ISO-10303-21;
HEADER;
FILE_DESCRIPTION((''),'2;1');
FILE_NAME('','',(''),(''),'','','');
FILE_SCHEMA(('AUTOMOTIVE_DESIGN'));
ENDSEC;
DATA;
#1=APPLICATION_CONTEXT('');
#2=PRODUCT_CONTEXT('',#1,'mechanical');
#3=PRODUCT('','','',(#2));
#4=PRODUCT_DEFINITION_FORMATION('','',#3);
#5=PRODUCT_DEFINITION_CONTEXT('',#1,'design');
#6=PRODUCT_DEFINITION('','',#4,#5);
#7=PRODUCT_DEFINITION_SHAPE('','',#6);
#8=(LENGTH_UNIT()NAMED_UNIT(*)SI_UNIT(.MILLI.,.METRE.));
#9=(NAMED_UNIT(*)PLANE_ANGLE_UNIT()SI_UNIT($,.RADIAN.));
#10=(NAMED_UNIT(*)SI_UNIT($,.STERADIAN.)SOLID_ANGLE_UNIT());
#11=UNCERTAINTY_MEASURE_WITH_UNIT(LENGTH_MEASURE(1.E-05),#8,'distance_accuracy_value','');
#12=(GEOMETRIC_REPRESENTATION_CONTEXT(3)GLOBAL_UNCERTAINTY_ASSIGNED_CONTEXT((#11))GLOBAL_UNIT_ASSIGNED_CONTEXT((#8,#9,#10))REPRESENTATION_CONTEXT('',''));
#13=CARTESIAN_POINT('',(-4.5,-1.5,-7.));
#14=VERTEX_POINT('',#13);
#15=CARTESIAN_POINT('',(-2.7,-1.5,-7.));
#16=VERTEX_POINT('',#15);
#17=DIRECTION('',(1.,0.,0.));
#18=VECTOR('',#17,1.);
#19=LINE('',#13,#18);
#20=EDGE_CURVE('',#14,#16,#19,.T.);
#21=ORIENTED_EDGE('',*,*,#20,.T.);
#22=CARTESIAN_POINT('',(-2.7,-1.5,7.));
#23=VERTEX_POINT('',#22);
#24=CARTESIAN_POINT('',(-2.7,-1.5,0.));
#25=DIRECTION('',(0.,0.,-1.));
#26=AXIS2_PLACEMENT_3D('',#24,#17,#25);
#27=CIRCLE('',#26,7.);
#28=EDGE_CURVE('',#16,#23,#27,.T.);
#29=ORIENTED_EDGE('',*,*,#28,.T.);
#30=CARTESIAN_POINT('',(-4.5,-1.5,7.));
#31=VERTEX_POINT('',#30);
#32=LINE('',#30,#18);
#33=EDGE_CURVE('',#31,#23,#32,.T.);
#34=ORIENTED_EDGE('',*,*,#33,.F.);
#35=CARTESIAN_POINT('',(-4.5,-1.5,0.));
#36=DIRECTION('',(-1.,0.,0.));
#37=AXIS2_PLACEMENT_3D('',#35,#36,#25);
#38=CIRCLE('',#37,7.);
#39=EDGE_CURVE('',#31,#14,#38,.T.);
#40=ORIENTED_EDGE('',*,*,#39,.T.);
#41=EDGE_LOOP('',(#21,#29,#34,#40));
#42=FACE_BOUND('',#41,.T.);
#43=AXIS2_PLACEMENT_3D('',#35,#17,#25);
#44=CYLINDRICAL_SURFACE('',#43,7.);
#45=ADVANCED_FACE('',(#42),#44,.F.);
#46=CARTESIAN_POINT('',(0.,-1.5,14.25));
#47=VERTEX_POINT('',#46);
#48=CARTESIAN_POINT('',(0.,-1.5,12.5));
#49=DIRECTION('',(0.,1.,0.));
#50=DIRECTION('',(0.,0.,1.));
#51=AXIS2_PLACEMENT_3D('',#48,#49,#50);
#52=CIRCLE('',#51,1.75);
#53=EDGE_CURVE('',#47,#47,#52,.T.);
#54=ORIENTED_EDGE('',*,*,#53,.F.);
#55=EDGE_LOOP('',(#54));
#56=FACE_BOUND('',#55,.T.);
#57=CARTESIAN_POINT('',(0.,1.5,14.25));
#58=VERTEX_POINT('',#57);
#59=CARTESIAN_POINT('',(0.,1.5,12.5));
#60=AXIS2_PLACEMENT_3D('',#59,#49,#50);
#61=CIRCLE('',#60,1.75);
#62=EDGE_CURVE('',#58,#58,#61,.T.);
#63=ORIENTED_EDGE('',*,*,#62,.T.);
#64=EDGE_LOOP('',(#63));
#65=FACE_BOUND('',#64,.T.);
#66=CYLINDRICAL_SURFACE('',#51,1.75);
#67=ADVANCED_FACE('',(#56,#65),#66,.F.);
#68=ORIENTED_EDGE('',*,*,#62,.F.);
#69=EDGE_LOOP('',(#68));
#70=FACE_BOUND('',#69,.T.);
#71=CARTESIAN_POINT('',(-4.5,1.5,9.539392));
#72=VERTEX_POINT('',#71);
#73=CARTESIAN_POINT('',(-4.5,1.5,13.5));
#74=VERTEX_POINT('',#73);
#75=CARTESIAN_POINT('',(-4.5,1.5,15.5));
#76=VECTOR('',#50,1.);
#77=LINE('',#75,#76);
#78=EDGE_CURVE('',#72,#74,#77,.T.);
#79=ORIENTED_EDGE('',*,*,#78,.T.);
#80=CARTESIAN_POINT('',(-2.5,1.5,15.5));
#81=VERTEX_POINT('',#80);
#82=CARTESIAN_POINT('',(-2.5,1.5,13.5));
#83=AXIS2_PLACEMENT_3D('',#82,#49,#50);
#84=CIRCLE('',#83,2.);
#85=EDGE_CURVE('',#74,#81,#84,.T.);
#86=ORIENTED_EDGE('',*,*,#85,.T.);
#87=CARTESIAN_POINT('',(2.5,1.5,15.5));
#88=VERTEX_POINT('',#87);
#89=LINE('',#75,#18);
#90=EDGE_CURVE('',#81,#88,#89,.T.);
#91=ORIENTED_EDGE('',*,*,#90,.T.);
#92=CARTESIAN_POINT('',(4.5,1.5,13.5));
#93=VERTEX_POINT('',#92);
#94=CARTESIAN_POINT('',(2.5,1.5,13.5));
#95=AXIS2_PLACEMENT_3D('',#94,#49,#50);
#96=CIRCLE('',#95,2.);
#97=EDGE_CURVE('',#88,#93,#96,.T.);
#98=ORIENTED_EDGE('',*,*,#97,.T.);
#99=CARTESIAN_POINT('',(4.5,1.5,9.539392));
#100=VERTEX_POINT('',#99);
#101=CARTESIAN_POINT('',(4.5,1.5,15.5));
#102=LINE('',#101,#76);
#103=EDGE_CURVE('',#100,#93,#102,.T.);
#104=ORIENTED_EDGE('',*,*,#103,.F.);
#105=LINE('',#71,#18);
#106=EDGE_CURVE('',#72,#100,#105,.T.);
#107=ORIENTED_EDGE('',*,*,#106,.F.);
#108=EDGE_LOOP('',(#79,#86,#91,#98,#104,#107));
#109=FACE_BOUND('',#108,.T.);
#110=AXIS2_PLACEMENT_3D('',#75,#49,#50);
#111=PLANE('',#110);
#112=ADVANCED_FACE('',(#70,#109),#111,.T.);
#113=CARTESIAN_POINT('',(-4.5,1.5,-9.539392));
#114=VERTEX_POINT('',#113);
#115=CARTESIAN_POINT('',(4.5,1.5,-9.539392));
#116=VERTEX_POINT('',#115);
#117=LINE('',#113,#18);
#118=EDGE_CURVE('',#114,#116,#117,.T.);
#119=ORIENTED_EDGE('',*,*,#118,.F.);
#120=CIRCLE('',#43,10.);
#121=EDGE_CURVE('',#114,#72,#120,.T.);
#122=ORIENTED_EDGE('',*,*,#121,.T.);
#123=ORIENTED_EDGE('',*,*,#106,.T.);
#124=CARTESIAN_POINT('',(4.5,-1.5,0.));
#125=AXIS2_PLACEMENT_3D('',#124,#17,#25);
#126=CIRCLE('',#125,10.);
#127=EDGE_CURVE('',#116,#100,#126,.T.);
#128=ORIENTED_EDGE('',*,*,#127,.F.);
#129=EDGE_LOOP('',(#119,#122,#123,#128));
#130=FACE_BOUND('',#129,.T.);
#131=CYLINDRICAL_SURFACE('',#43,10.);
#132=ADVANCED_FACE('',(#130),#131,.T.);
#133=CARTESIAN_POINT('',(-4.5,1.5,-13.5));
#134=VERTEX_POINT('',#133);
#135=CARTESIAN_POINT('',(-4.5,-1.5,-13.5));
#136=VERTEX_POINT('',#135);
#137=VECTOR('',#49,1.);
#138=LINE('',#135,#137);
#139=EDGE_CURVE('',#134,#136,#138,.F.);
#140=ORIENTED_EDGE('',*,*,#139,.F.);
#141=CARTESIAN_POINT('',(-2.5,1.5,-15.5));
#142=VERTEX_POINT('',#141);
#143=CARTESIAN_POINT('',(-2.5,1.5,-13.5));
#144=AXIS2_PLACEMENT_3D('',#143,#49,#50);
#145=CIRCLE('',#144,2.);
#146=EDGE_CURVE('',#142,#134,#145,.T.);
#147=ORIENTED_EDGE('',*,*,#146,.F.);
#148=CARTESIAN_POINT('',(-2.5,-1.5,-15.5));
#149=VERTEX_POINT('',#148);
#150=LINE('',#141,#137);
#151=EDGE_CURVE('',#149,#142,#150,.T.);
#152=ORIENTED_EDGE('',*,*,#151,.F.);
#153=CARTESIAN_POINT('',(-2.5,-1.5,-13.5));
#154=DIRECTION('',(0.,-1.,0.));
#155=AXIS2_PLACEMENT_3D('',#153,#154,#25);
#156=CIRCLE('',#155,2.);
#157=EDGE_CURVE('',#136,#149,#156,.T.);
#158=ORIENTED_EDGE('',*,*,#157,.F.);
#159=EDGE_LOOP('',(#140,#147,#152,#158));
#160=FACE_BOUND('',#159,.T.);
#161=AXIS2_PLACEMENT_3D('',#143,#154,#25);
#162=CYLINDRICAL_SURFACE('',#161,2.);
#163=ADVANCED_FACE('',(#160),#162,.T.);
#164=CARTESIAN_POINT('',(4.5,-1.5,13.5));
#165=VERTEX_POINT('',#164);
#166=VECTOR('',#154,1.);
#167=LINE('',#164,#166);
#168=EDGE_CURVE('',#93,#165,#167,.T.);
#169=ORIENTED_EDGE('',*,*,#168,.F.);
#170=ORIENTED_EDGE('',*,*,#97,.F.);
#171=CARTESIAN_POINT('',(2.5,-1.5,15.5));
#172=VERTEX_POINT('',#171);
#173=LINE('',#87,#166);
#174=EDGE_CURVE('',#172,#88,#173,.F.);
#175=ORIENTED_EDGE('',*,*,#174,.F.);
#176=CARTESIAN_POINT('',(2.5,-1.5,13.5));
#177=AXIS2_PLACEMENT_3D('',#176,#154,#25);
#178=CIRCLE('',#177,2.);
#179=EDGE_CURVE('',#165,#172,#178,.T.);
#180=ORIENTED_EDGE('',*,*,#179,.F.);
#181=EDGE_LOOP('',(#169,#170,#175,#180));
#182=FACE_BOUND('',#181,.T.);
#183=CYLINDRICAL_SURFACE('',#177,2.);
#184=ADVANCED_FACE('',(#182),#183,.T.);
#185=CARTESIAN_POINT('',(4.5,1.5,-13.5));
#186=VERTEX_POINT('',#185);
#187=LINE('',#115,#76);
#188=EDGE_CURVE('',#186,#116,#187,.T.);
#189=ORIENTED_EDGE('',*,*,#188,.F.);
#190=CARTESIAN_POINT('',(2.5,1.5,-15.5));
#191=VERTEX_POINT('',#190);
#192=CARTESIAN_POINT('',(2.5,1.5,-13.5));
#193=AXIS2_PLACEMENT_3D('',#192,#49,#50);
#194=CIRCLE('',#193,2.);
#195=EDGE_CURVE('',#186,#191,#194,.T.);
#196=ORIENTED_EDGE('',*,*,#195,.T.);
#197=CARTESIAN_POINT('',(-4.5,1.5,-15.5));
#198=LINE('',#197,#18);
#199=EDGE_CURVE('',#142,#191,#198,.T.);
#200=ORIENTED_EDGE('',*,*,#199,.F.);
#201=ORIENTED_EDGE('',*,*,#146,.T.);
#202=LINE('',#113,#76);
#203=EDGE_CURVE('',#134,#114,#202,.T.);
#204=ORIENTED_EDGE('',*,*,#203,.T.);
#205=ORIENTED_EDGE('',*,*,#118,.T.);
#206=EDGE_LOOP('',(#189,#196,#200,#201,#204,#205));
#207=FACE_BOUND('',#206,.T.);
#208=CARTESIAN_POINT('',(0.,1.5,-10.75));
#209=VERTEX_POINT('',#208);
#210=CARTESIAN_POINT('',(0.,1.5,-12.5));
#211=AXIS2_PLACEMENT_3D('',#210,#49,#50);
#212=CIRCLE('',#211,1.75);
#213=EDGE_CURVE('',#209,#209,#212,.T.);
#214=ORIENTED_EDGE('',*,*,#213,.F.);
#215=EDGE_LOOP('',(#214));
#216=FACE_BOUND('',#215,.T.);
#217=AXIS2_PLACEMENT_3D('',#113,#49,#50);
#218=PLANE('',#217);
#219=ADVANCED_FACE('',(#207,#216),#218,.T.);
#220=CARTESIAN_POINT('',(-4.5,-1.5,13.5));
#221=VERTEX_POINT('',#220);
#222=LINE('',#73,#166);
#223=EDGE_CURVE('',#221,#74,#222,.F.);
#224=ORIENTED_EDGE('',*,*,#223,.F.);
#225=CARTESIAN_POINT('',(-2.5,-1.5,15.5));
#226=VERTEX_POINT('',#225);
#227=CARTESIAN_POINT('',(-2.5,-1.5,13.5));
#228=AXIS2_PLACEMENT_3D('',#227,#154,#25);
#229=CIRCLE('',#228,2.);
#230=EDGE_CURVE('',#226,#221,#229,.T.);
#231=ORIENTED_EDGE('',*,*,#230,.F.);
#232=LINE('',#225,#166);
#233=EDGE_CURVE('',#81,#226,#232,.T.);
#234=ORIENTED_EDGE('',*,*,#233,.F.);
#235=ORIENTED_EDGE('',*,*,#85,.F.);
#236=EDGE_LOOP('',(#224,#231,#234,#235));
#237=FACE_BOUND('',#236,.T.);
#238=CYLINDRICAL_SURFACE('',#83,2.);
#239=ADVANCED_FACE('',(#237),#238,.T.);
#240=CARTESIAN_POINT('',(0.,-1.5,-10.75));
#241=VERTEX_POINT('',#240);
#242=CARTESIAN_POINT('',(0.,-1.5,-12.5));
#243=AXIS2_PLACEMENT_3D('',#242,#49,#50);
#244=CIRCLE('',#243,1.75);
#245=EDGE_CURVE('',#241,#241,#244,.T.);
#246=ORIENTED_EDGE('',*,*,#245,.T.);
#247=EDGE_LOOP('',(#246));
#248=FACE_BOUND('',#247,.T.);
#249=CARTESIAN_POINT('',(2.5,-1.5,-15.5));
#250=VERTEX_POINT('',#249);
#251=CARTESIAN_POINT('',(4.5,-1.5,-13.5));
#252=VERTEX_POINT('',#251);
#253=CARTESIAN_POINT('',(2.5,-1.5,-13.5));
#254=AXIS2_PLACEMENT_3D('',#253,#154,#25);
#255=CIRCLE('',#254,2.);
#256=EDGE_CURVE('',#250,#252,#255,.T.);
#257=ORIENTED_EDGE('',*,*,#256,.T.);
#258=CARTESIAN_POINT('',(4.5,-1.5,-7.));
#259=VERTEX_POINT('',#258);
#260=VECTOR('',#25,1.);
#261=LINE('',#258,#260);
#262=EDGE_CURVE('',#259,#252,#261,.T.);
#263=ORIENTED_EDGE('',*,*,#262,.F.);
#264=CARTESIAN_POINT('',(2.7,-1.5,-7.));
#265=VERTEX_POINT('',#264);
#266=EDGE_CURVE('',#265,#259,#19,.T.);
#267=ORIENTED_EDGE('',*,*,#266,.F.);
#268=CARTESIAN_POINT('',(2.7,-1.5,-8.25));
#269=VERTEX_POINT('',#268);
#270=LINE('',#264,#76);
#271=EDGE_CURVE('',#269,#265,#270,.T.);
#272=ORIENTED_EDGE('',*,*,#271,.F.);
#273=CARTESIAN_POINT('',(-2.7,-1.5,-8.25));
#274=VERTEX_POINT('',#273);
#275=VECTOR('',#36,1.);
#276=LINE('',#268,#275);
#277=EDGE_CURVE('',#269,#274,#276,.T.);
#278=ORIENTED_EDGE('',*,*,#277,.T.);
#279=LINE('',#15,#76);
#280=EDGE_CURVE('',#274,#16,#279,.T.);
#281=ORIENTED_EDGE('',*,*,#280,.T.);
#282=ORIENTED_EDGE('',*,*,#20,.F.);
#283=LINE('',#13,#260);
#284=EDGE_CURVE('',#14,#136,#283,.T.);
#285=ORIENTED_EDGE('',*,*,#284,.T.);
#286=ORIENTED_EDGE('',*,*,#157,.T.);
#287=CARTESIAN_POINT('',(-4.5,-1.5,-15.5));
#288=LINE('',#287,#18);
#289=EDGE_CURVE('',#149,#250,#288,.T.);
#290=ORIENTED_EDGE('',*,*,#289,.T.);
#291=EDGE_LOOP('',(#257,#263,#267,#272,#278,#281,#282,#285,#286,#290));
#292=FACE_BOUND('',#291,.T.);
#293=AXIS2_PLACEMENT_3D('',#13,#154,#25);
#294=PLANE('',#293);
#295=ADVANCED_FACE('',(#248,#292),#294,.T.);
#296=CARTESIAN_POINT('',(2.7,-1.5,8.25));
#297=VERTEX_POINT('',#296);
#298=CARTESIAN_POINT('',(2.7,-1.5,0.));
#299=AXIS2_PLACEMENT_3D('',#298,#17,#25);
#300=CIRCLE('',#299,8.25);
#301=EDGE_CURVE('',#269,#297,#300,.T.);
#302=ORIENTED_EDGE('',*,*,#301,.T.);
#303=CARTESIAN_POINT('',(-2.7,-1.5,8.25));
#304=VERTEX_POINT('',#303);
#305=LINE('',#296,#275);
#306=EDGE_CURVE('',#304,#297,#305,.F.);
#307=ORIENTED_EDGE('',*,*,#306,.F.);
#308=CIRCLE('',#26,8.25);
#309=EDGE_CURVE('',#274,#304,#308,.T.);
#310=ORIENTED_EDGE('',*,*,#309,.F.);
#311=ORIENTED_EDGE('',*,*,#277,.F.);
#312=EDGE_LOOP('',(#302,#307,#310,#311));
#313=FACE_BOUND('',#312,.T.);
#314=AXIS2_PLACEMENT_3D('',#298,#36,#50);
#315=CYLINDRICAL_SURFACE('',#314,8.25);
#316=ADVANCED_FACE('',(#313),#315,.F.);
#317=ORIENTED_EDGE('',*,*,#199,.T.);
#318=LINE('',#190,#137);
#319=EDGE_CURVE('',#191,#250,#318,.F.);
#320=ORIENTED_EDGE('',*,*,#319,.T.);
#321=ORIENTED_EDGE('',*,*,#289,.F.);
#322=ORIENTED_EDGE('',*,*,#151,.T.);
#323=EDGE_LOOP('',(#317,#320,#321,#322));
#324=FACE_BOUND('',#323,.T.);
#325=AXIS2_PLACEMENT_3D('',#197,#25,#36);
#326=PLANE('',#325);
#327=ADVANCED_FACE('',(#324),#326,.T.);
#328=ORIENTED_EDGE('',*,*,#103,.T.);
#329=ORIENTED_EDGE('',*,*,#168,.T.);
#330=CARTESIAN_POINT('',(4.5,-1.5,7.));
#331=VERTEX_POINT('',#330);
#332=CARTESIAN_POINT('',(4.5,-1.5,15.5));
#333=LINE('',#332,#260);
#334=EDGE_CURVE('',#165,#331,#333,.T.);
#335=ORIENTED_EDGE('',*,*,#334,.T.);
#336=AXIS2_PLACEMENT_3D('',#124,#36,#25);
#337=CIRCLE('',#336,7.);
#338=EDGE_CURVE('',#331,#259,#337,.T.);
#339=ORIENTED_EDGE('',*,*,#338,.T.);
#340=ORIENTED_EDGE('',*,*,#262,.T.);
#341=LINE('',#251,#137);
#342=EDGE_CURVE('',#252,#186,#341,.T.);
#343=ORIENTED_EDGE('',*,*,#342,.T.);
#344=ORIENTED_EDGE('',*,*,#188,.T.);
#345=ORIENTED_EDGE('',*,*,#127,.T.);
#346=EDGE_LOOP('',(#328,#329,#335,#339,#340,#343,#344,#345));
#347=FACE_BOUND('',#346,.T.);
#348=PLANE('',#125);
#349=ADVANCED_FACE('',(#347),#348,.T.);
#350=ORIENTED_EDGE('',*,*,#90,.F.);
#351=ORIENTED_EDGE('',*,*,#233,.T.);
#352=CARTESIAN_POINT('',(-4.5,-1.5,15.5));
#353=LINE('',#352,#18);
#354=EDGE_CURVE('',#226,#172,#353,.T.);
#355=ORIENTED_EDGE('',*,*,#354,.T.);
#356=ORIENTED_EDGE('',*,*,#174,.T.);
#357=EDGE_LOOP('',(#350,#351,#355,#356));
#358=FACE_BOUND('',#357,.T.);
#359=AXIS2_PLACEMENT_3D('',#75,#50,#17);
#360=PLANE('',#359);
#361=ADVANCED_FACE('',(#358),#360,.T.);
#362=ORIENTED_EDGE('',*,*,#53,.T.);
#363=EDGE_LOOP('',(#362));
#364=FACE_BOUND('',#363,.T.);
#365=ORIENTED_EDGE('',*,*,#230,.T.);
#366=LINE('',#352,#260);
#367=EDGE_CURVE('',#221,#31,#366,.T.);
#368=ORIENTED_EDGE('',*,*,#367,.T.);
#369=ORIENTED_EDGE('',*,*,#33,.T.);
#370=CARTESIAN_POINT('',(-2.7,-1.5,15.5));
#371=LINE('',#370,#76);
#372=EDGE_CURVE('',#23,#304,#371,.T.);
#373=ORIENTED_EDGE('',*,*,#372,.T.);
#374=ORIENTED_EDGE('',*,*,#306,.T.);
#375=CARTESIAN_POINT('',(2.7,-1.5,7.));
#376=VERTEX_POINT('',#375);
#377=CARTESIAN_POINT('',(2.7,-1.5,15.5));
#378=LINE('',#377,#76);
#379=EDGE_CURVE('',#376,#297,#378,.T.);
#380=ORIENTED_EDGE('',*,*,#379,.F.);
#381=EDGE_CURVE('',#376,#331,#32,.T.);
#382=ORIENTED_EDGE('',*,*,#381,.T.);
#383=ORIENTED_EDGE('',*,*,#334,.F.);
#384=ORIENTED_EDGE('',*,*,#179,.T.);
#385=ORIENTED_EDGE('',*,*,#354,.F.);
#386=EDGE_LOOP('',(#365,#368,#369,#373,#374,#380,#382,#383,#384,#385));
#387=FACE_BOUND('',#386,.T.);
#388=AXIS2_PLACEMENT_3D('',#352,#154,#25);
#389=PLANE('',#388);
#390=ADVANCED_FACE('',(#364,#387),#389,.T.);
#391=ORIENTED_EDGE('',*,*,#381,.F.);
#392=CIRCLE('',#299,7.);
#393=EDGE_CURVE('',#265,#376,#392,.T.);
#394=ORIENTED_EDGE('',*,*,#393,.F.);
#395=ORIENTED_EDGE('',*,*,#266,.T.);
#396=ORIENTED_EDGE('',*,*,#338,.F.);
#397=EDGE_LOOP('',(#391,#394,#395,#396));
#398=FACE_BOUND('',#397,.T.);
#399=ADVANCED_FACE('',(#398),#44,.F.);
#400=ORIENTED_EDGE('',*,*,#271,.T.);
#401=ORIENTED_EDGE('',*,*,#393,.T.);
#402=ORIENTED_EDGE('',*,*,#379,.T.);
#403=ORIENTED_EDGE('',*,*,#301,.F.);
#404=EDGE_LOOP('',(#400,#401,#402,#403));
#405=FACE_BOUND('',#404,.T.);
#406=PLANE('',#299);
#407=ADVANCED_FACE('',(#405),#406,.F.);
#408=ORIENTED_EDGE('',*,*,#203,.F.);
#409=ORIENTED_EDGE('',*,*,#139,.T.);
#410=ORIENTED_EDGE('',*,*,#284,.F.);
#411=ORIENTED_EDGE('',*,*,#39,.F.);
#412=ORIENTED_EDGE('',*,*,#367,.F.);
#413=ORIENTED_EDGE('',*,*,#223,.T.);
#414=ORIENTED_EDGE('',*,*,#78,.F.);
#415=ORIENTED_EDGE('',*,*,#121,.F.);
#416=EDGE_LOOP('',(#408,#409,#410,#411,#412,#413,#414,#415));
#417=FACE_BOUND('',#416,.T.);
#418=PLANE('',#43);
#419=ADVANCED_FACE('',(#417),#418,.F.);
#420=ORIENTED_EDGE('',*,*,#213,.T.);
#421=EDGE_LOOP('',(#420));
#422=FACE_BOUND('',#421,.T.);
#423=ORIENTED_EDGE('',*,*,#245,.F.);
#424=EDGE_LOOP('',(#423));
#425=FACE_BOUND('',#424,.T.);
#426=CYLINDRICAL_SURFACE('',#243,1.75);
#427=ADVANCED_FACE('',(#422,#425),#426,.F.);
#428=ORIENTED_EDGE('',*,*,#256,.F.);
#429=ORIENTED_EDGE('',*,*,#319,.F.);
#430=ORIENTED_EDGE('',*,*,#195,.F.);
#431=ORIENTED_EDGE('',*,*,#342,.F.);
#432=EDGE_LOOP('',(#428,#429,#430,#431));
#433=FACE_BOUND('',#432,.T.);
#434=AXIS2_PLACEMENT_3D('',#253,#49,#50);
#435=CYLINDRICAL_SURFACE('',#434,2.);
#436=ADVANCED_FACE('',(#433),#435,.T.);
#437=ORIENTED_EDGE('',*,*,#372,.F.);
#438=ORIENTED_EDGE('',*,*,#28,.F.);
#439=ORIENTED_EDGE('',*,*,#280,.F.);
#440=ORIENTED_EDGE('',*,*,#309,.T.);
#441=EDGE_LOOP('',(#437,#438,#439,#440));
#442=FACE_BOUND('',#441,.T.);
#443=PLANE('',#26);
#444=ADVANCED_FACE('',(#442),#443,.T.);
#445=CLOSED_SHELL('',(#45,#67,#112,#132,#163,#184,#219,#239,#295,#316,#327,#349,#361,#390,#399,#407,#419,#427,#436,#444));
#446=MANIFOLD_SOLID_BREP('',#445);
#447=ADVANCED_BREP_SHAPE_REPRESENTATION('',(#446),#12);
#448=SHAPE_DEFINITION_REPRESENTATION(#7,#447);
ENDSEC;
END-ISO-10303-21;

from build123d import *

# Parameters (mm, degrees)
BOSS_EXTRUDE1_DEPTH      = 4.5
BOSS_EXTRUDE1_DEPTH_BACK = 4.5
SKETCH3_R                = 1.75
CUT_EXTRUDE1_DEPTH       = 18.592612086
FILLET1_R                = 2
CUT_EXTRUDE2_DEPTH       = 2.7
CUT_EXTRUDE2_DEPTH_BACK  = 2.7
SKETCH4_R                = 8.25


with BuildPart() as part:
    # Sketch2 → Boss-Extrude1 (new, two sides: drawn at the far end of the back side and taken through both)
    with BuildSketch(Plane(origin=(0, 0, 0), x_dir=(0, 0, -1), z_dir=(1, 0, 0)).offset(-BOSS_EXTRUDE1_DEPTH_BACK)):
        with BuildLine():
            Line((9.539392014, 1.5), (15.5, 1.5))
            Line((15.5, 1.5), (15.5, -1.5))
            Line((15.5, -1.5), (7, -1.5))
            ThreePointArc((7, -1.5), (0, 5.5), (-7, -1.5))
            Line((-7, -1.5), (-15.5, -1.5))
            Line((-15.5, -1.5), (-15.5, 1.5))
            Line((-15.5, 1.5), (-9.539392014, 1.5))
            ThreePointArc((-9.539392014, 1.5), (0, 8.5), (9.539392014, 1.5))
        make_face()
    extrude(amount=BOSS_EXTRUDE1_DEPTH + BOSS_EXTRUDE1_DEPTH_BACK)

    # Sketch3 → Cut-Extrude1 (cut, through all)
    with BuildSketch(Plane(origin=(0, 1.5, 0), x_dir=(1, 0, 0), z_dir=(0, 1, 0))):
        with Locations((0, 12.5)):
            Circle(SKETCH3_R)
        with Locations((0, -12.5)):
            Circle(SKETCH3_R)
    extrude(amount=-CUT_EXTRUDE1_DEPTH, mode=Mode.SUBTRACT)

    # Fillet1
    fillet1_edges = [part.edges().sort_by_distance(p)[0] for p in [
        (4.5, 0, 15.5),
        (-4.5, 0, 15.5),
        (4.5, 0, -15.5),
        (-4.5, 0, -15.5),
    ]]
    fillet(fillet1_edges, radius=FILLET1_R)

    # Sketch4 → Cut-Extrude2 (cut, two sides: drawn at the far end of the back side and taken through both)
    with BuildSketch(Plane(origin=(0, 0, 0), x_dir=(0, 0, -1), z_dir=(1, 0, 0)).offset(-CUT_EXTRUDE2_DEPTH_BACK)):
        with Locations((0, -1.5)):
            Circle(SKETCH4_R)
    extrude(amount=CUT_EXTRUDE2_DEPTH + CUT_EXTRUDE2_DEPTH_BACK, mode=Mode.SUBTRACT)


solid = part.part
